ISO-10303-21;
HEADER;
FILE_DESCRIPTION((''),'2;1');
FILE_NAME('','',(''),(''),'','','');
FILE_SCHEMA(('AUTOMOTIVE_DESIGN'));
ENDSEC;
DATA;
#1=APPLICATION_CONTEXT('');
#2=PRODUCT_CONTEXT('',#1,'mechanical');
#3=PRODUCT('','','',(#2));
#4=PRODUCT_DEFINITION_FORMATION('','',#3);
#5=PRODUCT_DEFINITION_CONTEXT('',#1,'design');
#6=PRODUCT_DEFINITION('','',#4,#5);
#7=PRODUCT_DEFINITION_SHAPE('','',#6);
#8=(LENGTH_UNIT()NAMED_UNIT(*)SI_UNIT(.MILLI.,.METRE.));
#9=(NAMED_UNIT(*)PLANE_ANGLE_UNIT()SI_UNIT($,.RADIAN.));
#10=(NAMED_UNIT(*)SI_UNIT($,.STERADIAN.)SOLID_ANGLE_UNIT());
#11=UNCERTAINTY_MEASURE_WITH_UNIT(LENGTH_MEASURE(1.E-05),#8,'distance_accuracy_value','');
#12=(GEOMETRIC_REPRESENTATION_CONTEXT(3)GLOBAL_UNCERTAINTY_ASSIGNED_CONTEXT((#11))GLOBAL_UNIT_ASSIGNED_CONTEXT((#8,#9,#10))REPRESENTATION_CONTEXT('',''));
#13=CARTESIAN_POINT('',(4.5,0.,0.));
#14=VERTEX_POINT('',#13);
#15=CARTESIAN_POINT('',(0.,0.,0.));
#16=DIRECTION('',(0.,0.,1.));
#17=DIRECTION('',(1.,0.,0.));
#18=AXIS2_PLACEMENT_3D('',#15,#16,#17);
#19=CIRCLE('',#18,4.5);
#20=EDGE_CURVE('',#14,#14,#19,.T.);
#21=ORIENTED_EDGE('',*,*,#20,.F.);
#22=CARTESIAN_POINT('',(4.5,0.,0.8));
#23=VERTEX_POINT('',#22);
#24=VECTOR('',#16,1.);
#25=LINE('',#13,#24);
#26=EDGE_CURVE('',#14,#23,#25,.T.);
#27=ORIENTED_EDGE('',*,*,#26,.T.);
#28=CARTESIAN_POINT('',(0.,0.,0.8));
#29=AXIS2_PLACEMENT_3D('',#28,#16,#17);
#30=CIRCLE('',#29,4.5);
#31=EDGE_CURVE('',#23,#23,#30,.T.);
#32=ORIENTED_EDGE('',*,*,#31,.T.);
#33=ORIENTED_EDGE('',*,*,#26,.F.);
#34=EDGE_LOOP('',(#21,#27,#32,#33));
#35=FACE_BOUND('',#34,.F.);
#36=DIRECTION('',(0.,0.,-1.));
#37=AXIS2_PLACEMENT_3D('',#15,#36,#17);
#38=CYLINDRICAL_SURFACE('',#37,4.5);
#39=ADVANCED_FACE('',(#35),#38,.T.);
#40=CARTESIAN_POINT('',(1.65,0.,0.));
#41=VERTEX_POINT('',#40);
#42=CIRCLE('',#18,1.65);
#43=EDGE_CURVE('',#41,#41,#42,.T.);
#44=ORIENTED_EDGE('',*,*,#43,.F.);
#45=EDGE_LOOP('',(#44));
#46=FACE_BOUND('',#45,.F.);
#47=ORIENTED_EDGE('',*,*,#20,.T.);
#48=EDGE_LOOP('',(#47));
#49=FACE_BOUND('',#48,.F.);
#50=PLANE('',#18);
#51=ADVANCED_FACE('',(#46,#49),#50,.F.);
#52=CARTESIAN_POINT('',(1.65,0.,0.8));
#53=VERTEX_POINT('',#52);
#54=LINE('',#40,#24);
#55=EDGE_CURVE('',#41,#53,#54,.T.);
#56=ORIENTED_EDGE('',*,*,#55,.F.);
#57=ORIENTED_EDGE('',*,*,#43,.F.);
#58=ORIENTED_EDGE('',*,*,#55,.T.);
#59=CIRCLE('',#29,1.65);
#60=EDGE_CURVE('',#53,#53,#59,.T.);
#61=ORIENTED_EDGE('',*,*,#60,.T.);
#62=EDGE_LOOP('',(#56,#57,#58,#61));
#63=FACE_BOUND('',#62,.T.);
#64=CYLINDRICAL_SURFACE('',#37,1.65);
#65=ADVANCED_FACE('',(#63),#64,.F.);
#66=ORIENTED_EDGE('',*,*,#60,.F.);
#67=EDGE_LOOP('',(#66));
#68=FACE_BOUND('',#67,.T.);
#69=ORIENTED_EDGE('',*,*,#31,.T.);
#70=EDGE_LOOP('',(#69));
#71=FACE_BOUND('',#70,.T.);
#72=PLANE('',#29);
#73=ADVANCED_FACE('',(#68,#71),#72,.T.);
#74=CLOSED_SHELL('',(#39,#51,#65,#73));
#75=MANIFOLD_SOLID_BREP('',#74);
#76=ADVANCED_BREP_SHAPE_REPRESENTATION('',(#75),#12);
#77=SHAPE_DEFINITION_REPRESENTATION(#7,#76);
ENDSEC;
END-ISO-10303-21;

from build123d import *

# Parameters (mm, degrees)
SKETCH_R   = 4.5
SKETCH_R_2 = 1.65
PAD_DEPTH  = 0.8


with BuildPart() as part:
    # Sketch → Pad (new body)
    with BuildSketch(Plane.XY):
        Circle(SKETCH_R)
        Circle(SKETCH_R_2, mode=Mode.SUBTRACT)
    extrude(amount=PAD_DEPTH)


solid = part.part
